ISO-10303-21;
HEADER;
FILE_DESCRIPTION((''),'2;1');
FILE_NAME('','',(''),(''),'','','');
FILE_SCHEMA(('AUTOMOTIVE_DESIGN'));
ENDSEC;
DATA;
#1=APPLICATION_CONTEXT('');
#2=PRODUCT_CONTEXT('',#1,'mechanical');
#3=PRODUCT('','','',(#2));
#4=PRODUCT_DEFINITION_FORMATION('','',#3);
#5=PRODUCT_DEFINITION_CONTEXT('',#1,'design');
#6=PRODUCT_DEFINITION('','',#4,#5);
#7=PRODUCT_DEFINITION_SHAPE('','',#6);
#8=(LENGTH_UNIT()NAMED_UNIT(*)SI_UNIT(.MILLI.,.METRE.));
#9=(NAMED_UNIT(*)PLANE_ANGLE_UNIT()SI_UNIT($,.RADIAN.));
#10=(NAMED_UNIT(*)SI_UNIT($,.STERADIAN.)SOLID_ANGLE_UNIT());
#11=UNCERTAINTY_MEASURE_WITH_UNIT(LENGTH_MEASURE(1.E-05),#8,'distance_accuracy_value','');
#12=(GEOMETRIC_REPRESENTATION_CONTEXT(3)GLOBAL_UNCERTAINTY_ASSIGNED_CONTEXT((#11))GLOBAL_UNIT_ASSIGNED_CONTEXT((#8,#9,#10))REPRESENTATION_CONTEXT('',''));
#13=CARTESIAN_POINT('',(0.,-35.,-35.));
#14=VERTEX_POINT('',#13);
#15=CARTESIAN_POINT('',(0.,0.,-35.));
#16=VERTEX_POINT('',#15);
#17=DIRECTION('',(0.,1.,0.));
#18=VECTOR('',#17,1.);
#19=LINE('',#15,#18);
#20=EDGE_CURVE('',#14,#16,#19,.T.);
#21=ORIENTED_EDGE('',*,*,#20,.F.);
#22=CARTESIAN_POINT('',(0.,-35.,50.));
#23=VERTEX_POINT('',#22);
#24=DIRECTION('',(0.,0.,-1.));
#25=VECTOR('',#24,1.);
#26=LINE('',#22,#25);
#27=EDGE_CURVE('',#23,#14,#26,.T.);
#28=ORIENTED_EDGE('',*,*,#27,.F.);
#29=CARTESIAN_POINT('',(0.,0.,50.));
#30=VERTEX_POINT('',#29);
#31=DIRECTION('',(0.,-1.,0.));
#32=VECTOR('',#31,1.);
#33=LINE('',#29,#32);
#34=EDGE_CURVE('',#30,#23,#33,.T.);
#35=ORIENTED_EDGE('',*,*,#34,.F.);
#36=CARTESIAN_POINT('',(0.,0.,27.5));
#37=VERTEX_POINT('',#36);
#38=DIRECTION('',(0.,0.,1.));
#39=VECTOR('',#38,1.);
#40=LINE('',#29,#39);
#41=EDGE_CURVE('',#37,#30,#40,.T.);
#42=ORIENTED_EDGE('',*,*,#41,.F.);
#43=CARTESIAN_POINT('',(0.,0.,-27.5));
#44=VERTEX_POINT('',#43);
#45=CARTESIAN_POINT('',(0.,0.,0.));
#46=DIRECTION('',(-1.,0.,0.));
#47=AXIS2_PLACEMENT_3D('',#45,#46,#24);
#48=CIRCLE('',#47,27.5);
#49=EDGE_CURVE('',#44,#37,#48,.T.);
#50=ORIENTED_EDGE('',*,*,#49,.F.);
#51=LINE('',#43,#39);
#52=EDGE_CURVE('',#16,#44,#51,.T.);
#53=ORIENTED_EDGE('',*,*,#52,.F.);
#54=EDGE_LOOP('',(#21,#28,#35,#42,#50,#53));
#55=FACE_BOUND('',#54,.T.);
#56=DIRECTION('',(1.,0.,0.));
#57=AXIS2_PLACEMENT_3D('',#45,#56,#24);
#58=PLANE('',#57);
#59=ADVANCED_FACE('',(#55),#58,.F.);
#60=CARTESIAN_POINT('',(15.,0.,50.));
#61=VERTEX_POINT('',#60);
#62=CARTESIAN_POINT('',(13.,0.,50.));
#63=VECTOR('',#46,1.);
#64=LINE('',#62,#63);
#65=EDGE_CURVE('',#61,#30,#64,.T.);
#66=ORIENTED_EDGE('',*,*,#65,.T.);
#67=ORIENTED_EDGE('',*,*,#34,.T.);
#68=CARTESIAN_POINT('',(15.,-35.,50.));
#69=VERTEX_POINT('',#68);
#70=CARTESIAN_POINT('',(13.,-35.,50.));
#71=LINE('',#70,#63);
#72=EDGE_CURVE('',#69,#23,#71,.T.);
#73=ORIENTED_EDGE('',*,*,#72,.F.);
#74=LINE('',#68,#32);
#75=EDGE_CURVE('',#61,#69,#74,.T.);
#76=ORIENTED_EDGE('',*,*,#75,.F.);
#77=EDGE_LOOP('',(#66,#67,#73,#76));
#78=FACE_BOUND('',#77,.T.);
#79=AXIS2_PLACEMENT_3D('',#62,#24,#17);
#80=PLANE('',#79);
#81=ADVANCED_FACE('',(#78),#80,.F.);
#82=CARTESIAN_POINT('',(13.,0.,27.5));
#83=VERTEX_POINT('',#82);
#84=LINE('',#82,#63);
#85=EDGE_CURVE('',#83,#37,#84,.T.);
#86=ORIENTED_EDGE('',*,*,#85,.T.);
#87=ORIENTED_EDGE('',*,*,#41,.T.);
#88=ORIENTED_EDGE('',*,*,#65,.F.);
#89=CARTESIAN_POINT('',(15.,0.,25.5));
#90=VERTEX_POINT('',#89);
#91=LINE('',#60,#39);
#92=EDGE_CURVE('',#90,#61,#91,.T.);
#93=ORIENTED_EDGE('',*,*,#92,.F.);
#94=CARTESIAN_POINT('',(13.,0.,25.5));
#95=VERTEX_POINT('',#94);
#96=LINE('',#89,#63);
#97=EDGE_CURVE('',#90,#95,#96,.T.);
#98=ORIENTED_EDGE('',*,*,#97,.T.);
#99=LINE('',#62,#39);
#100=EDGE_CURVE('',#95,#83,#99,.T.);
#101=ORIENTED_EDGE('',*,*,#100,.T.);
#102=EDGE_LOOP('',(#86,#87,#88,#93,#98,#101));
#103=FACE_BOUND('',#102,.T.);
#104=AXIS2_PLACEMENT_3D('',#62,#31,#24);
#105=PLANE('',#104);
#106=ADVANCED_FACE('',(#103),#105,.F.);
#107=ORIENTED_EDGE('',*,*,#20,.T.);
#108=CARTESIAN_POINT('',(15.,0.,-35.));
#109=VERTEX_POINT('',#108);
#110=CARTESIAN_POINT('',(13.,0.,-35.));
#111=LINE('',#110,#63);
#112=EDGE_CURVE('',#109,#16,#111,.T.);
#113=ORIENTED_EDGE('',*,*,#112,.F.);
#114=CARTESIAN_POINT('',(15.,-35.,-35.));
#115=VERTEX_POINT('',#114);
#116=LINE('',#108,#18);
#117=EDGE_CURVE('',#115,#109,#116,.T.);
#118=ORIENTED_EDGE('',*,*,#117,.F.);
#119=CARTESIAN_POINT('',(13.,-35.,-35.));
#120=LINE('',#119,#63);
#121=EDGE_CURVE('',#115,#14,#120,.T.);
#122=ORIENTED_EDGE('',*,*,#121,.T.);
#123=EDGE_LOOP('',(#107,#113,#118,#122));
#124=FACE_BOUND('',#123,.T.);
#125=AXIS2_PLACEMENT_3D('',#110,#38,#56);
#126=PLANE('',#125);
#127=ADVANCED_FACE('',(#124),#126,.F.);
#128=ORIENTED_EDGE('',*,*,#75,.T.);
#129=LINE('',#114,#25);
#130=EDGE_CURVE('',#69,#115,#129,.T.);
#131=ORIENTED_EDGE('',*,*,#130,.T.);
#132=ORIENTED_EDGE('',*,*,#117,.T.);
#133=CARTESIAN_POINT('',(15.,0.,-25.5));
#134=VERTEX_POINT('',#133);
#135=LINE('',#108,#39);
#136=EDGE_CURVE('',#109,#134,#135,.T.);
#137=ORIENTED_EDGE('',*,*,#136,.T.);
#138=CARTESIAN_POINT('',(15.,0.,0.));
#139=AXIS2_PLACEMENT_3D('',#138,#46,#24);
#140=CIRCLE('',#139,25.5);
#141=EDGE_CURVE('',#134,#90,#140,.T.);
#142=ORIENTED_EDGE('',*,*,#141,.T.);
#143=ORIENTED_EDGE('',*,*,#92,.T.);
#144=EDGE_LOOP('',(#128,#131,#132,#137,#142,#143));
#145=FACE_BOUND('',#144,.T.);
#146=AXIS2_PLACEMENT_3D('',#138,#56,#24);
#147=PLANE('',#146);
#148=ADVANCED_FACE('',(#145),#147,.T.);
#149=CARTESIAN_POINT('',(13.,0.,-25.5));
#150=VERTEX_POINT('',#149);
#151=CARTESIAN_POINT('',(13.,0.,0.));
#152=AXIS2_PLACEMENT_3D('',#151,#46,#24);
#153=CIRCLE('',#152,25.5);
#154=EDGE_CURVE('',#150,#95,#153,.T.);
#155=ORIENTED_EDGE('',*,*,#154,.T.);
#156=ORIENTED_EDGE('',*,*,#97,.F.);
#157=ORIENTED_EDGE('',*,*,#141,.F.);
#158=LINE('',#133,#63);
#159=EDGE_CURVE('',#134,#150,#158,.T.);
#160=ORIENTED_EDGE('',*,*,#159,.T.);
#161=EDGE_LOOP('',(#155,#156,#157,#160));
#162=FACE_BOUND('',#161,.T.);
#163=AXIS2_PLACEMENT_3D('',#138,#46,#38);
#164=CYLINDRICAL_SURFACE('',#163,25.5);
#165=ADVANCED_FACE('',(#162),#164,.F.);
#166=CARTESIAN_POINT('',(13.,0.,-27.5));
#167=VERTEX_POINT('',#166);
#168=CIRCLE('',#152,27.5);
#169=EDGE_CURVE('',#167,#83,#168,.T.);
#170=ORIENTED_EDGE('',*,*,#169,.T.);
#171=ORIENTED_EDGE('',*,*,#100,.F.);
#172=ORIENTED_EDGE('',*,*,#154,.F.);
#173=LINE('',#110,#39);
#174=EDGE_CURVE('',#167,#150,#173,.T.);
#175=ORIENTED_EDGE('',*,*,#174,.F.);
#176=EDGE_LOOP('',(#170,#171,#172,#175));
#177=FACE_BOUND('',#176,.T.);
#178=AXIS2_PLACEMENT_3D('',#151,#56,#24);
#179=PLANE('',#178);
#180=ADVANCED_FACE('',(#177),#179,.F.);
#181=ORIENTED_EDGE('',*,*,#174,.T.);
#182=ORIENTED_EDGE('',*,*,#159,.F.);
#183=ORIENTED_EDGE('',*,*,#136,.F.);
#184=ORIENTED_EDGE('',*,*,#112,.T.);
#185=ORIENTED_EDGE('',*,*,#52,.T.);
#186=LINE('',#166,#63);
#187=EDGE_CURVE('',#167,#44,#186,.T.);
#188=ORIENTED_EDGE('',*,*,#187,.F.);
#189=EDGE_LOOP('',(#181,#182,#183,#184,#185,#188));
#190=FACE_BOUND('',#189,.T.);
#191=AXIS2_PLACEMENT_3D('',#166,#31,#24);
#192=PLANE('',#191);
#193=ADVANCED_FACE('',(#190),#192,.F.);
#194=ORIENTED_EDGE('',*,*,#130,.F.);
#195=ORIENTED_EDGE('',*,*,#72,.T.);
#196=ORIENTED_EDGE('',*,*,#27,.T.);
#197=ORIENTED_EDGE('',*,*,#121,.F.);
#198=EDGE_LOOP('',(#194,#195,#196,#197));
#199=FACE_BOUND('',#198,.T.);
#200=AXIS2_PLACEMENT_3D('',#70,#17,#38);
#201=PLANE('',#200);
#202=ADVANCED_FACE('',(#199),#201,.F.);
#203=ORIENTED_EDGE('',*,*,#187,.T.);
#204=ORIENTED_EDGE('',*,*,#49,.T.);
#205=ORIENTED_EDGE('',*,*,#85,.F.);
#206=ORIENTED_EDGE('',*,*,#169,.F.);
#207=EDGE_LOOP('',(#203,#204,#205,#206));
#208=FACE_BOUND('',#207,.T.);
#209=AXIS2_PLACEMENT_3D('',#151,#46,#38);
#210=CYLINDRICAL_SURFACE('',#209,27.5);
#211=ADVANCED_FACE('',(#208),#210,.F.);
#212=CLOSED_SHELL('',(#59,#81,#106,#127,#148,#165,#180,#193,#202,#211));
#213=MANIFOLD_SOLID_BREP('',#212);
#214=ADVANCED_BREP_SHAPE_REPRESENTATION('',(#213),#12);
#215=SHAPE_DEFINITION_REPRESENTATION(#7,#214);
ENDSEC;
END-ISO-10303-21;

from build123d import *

# Parameters (mm, degrees)
BOSS_EXTRUDE1_DEPTH = 13
BOSS_EXTRUDE4_DEPTH = 2


with BuildPart() as part:
    # Sketch1 → Boss-Extrude1 (new body)
    with BuildSketch(Plane(origin=(0, 0, 0), x_dir=(0, 0, -1), z_dir=(1, 0, 0))):
        with BuildLine():
            Line((-50, 0), (-27.5, 0))
            ThreePointArc((-27.5, 0), (0, -27.5), (27.5, 0))
            Line((27.5, 0), (35, 0))
            Line((35, 0), (35, -35))
            Line((35, -35), (-50, -35))
            Line((-50, -35), (-50, 0))
        make_face()
    extrude(amount=BOSS_EXTRUDE1_DEPTH)

    # Sketch4 → Boss-Extrude4 (add)
    with BuildSketch(Plane(origin=(13, 0, 0), x_dir=(0, 0, -1), z_dir=(1, 0, 0))):
        with BuildLine():
            Line((35, 0), (35, -35))
            Line((35, -35), (-50, -35))
            Line((-50, -35), (-50, 0))
            Line((-50, 0), (-25.5, 0))
            ThreePointArc((-25.5, 0), (0, -25.5), (25.5, 0))
            Line((25.5, 0), (35, 0))
        make_face()
    extrude(amount=BOSS_EXTRUDE4_DEPTH)


solid = part.part
